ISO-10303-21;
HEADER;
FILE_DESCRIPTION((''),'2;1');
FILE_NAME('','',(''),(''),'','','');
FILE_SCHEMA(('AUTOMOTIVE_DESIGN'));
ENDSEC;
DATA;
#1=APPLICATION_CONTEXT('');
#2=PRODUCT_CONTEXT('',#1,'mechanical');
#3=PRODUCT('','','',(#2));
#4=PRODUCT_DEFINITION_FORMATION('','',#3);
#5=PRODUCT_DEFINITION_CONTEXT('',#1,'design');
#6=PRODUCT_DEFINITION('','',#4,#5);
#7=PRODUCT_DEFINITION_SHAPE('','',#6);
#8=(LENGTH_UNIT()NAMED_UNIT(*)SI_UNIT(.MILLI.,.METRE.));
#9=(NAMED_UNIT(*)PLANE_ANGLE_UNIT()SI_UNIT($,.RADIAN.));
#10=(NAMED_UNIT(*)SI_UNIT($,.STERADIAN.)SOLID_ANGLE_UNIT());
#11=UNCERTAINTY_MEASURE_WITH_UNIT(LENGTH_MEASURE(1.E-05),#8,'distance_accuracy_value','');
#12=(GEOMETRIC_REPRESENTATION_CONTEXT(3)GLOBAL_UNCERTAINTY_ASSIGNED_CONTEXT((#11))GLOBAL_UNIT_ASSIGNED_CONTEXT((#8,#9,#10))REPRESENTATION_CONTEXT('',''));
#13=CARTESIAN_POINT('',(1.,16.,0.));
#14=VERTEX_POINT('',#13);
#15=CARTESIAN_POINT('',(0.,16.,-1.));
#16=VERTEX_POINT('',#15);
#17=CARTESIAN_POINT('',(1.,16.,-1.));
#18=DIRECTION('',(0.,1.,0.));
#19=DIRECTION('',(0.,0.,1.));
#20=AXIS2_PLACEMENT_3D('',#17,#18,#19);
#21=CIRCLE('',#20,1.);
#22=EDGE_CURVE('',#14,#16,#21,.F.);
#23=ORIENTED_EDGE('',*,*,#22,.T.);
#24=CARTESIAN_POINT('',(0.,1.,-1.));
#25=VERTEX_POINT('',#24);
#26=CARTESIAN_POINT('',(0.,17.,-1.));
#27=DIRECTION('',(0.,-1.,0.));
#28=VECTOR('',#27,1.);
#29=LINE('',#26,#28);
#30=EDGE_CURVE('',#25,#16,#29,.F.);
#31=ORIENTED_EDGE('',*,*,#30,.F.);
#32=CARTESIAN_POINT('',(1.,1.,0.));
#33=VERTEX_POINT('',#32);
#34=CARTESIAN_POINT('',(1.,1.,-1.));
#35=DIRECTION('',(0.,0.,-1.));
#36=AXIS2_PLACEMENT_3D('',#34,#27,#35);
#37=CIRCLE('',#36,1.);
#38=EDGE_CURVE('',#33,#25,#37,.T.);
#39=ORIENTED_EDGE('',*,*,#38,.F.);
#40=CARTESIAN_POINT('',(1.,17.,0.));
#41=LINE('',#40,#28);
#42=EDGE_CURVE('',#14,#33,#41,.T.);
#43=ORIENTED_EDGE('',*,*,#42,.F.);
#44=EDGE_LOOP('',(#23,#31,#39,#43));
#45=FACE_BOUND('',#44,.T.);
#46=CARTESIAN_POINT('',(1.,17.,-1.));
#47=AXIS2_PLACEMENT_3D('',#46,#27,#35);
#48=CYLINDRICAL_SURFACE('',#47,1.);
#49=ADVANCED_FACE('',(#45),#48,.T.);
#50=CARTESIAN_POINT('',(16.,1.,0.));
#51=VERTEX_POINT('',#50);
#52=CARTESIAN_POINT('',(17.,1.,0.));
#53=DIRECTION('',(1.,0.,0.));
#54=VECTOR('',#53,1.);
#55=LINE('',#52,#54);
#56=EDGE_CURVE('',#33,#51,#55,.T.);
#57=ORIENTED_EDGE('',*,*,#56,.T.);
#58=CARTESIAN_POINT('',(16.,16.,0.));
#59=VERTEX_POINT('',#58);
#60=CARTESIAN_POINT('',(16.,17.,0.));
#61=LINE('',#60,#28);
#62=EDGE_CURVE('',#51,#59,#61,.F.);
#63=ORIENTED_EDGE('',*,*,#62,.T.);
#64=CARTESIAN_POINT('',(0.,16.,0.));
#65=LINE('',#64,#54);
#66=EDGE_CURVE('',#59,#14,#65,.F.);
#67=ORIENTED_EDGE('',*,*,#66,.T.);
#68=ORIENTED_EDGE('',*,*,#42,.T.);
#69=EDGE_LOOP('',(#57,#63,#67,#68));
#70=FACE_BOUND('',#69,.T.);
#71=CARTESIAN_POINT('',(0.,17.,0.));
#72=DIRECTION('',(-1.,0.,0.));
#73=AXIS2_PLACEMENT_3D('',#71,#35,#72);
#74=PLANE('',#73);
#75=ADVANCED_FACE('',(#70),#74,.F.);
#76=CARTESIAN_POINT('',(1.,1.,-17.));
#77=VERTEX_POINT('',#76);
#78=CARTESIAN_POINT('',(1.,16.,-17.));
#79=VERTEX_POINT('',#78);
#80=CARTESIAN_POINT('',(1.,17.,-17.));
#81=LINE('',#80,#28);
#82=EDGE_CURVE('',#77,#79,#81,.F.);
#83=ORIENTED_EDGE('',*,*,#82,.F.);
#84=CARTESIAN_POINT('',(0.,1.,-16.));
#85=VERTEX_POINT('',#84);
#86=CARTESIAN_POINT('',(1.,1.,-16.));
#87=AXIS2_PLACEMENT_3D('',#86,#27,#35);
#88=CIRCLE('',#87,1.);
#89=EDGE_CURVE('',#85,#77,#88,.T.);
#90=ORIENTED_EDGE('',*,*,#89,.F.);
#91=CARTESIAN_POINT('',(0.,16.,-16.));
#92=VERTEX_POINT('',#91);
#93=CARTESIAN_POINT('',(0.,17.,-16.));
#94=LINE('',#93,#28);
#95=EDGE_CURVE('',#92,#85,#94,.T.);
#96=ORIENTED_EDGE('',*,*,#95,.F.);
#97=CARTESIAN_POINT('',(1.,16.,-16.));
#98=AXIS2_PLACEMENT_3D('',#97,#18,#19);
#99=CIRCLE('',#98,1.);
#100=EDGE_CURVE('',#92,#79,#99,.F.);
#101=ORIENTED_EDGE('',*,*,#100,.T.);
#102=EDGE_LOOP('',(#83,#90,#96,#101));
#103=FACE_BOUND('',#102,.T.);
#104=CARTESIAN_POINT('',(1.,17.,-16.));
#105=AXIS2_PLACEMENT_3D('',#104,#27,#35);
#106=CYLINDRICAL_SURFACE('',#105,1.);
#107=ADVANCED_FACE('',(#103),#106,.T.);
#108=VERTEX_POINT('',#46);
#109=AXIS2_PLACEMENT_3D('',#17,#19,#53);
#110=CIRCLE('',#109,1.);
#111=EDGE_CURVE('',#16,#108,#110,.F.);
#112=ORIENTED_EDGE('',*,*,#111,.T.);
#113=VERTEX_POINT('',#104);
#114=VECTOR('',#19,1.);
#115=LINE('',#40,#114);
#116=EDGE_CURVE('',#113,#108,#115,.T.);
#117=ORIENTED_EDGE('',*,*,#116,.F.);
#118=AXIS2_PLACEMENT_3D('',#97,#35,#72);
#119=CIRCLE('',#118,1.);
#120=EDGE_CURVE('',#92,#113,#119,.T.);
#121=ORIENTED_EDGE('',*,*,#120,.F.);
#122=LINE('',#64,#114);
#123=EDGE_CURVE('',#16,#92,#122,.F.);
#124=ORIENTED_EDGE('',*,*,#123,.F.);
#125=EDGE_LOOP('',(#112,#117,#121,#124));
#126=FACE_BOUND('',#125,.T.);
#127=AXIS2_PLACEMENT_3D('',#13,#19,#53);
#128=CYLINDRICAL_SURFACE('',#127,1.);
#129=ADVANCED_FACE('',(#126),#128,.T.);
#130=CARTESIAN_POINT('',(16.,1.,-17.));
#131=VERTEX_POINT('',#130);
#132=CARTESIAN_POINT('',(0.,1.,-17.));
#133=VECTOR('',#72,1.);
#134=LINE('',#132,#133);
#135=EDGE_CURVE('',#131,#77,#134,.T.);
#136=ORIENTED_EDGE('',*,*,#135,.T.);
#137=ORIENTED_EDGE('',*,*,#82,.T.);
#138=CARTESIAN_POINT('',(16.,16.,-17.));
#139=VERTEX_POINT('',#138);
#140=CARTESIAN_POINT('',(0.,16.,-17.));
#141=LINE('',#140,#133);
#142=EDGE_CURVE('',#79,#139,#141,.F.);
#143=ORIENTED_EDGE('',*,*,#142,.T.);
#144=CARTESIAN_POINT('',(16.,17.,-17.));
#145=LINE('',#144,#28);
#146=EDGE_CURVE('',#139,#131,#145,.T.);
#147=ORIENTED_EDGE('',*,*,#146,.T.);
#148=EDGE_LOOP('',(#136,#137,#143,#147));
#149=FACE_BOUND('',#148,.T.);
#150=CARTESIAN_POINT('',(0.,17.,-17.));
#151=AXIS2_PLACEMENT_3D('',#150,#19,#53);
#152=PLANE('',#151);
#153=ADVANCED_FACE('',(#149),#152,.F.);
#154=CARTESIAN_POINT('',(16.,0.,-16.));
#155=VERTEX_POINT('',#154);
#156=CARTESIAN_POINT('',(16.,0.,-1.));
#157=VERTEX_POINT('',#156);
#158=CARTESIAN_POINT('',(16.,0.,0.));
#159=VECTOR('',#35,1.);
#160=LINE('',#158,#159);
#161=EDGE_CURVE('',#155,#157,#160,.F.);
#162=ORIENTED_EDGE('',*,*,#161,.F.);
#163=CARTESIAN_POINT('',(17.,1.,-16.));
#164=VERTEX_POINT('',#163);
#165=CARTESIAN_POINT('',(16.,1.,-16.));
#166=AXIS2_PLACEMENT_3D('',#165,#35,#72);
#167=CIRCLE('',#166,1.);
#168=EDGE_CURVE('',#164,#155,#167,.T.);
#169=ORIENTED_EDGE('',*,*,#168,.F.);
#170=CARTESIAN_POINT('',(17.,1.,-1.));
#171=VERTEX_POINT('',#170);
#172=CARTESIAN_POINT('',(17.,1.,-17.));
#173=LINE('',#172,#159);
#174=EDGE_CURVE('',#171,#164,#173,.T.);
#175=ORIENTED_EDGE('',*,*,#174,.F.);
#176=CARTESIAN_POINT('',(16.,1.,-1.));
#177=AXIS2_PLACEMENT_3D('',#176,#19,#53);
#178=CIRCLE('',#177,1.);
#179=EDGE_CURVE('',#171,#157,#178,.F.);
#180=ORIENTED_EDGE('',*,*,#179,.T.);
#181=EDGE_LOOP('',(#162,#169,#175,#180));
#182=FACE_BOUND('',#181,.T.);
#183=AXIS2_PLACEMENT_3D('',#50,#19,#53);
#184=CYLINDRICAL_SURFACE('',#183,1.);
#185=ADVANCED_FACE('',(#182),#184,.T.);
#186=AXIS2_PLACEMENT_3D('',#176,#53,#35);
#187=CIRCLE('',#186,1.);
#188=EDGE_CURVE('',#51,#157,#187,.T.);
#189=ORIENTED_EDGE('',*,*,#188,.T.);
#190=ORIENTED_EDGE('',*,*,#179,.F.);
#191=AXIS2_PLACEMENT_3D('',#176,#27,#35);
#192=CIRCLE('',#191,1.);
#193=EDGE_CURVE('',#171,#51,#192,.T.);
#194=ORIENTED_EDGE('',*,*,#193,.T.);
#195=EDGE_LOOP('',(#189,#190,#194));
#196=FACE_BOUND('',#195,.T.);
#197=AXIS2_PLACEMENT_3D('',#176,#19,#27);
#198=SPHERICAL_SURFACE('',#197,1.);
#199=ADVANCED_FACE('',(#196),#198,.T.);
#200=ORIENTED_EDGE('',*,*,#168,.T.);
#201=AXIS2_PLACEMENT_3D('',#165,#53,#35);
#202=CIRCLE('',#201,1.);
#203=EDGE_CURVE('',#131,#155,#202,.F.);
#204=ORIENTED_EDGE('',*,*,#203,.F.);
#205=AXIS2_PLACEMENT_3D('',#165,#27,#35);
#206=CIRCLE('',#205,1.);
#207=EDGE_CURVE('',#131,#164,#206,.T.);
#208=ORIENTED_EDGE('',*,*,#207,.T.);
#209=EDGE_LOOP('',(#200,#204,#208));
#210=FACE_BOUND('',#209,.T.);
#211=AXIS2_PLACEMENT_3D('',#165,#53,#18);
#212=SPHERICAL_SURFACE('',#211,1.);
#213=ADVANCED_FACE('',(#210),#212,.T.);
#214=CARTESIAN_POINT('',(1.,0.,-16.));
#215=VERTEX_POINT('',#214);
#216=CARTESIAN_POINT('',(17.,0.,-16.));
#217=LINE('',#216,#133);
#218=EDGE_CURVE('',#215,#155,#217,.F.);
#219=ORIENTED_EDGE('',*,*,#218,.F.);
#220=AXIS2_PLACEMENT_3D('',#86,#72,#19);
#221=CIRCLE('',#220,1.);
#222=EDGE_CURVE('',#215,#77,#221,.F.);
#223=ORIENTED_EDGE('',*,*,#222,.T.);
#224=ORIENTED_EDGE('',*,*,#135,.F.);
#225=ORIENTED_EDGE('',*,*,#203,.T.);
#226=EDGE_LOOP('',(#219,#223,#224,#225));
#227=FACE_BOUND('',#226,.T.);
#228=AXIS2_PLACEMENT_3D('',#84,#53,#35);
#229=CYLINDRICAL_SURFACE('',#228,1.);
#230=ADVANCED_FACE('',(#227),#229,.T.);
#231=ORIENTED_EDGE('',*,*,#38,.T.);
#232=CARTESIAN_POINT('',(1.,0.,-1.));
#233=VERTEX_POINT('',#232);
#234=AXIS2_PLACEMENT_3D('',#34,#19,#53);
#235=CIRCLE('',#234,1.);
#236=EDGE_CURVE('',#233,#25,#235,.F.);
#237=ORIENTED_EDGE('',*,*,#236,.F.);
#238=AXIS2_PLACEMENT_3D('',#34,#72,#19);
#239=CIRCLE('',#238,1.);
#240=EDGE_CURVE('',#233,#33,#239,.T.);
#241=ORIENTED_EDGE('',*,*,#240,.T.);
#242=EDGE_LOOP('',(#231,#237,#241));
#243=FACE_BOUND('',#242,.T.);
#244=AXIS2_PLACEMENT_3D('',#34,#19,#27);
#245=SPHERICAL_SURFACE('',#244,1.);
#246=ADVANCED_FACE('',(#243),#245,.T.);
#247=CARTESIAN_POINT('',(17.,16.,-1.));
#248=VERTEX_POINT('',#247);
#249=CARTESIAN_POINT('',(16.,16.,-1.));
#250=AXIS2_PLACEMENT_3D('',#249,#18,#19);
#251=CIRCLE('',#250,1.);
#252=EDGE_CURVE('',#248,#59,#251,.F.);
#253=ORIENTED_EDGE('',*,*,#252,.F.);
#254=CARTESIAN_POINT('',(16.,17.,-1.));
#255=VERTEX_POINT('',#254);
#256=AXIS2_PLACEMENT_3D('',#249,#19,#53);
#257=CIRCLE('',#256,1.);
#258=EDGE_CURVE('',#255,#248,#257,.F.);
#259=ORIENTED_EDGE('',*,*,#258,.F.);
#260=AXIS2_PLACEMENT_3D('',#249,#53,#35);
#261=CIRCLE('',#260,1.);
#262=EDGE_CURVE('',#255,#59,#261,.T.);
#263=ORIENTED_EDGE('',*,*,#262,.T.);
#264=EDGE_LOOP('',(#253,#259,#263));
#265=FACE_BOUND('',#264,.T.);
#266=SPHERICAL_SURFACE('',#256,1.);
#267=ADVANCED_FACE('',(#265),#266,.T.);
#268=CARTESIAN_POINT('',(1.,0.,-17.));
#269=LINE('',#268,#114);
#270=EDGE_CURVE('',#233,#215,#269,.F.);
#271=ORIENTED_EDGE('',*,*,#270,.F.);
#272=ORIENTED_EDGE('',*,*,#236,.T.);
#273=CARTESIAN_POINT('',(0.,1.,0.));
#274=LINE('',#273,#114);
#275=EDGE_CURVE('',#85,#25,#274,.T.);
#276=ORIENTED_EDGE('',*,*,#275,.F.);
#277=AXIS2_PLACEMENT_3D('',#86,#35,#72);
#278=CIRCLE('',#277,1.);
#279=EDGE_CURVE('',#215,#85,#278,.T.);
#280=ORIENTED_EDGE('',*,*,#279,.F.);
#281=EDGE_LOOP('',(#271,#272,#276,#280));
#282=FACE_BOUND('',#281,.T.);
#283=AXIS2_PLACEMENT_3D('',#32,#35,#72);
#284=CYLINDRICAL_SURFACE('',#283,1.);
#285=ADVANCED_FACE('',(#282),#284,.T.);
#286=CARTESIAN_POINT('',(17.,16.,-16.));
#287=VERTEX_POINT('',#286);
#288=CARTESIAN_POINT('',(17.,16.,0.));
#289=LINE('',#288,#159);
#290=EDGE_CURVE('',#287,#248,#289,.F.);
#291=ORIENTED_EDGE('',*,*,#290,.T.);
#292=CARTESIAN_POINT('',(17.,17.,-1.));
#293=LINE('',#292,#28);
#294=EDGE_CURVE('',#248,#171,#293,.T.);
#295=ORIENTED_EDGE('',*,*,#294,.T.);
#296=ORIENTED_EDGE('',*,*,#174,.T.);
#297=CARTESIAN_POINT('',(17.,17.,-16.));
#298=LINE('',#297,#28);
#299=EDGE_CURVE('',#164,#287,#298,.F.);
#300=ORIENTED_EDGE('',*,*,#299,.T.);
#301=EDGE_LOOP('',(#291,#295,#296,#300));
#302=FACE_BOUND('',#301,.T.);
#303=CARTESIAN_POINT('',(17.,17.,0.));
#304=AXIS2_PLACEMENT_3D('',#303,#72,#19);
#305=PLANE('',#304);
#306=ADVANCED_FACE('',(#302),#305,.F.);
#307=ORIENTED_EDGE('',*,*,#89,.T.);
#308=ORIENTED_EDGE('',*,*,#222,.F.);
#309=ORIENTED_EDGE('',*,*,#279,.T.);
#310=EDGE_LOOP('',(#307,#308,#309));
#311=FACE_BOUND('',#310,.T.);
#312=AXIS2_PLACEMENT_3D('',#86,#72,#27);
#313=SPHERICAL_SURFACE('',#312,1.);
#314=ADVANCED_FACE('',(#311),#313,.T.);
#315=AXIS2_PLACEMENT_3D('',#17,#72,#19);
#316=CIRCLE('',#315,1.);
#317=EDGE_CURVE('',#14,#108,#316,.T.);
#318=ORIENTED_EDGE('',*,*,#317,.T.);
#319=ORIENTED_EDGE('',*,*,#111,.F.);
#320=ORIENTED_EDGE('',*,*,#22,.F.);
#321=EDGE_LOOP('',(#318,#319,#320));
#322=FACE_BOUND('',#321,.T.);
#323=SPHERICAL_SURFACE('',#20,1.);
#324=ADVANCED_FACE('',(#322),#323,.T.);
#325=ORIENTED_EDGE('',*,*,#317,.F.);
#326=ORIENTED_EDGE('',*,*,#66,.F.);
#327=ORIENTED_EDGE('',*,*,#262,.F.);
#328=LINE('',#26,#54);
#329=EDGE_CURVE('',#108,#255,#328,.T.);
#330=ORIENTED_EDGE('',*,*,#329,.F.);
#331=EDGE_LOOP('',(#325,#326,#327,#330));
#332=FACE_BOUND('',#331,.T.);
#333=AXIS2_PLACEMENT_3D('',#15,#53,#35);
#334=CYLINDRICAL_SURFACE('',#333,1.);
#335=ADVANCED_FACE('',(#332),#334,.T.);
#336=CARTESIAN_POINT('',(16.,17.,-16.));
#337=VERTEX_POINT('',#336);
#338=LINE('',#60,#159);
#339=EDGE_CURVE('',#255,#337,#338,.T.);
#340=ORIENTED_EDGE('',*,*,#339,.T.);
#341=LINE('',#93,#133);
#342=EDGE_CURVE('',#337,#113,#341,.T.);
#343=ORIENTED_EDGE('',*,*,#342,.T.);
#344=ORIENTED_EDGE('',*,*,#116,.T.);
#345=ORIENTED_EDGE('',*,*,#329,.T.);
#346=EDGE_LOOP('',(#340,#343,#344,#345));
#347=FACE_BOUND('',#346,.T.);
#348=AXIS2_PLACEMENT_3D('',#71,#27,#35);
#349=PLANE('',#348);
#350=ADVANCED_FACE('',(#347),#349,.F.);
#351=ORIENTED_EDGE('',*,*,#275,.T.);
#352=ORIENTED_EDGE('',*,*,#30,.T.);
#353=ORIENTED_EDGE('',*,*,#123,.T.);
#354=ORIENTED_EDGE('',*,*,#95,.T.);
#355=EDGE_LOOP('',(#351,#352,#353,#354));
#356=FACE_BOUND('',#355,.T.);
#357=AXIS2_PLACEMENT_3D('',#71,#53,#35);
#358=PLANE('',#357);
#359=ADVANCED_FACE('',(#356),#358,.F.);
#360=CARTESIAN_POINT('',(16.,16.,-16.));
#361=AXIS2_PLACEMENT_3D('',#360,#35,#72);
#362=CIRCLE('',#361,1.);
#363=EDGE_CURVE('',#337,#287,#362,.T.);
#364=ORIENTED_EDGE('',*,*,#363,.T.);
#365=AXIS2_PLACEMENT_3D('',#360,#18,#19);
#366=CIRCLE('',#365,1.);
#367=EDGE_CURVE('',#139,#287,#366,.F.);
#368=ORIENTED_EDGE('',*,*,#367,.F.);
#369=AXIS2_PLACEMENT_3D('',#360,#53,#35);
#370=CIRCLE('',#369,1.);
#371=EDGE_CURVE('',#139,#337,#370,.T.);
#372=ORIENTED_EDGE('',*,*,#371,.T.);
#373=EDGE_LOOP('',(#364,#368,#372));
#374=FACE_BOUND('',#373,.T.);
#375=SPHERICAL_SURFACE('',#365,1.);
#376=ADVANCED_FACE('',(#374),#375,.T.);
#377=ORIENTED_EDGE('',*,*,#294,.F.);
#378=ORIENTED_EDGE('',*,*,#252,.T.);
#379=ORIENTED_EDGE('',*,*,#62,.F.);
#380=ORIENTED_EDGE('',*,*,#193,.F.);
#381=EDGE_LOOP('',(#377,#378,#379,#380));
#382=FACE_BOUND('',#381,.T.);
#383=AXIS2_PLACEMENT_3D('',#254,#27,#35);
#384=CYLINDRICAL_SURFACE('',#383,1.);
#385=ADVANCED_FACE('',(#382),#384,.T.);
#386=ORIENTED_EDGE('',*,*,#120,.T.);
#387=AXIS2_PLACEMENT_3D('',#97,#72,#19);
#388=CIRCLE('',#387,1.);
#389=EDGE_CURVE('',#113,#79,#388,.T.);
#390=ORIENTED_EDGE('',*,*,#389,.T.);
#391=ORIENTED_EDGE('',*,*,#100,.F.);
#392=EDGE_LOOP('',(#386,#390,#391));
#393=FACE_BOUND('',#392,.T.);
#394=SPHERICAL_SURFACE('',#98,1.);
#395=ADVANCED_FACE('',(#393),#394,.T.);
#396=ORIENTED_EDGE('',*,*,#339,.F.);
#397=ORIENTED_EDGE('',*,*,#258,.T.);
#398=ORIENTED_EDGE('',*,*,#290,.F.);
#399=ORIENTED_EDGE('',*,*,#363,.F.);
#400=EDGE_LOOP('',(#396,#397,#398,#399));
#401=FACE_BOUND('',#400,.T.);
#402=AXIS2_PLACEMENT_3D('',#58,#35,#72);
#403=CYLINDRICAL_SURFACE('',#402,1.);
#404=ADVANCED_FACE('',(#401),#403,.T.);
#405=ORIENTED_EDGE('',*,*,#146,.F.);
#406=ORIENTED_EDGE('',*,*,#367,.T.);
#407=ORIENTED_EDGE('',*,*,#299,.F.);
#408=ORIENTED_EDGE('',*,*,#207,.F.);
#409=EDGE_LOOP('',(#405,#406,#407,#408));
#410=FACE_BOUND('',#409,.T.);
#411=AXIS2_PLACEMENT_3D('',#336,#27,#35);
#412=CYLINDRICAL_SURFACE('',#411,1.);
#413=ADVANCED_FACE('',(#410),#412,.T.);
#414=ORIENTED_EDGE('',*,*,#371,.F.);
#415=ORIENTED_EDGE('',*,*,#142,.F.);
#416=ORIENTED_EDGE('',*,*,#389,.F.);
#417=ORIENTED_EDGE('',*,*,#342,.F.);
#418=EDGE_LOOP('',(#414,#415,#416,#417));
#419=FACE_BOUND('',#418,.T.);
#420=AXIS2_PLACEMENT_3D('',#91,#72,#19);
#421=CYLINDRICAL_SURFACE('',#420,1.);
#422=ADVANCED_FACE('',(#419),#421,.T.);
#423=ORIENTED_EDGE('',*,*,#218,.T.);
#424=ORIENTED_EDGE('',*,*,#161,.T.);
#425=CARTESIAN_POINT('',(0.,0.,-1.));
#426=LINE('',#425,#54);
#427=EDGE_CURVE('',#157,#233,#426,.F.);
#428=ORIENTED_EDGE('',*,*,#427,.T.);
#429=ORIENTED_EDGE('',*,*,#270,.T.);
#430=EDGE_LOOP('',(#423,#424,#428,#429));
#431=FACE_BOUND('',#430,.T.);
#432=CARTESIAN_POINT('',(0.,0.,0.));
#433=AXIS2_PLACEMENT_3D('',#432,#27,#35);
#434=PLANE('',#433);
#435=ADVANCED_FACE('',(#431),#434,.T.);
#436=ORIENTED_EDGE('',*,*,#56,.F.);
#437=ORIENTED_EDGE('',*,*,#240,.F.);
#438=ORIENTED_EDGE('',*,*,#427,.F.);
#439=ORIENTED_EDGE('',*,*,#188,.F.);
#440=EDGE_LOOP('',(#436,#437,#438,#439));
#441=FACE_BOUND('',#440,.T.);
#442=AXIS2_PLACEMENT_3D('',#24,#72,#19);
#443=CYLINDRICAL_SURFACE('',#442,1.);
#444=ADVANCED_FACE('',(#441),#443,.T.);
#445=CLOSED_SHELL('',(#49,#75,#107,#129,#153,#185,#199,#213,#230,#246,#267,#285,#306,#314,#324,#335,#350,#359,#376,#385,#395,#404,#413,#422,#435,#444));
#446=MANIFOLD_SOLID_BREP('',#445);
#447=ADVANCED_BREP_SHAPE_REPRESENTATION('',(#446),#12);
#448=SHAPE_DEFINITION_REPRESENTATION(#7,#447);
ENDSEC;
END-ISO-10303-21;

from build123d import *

# Parameters (mm, degrees)
SKETCH_1_W      = 17
SKETCH_1_H      = 17
EXTRUDE_1_DEPTH = 17
FILLET_1_R      = 1


with BuildPart() as part:
    # 草图1 → 凸台-拉伸1 (new body)
    with BuildSketch(Plane(origin=(0, 0, 0), x_dir=(1, 0, 0), z_dir=(0, 1, 0))):
        with Locations((8.5, 8.5)):
            Rectangle(SKETCH_1_W, SKETCH_1_H)
    extrude(amount=EXTRUDE_1_DEPTH)

    # 圆角1
    fillet_1_edges = [part.edges().sort_by_distance(p)[0] for p in [
        (17, 17, -8.5),
        (8.5, 17, -17),
        (0, 17, -8.5),
        (8.5, 0, -17),
        (17, 0, -8.5),
        (8.5, 0, 0),
        (0, 0, -8.5),
        (0, 8.5, -17),
        (17, 8.5, -17),
        (17, 8.5, 0),
        (0, 8.5, 0),
        (8.5, 17, 0),
    ]]
    fillet(fillet_1_edges, radius=FILLET_1_R)


solid = part.part
